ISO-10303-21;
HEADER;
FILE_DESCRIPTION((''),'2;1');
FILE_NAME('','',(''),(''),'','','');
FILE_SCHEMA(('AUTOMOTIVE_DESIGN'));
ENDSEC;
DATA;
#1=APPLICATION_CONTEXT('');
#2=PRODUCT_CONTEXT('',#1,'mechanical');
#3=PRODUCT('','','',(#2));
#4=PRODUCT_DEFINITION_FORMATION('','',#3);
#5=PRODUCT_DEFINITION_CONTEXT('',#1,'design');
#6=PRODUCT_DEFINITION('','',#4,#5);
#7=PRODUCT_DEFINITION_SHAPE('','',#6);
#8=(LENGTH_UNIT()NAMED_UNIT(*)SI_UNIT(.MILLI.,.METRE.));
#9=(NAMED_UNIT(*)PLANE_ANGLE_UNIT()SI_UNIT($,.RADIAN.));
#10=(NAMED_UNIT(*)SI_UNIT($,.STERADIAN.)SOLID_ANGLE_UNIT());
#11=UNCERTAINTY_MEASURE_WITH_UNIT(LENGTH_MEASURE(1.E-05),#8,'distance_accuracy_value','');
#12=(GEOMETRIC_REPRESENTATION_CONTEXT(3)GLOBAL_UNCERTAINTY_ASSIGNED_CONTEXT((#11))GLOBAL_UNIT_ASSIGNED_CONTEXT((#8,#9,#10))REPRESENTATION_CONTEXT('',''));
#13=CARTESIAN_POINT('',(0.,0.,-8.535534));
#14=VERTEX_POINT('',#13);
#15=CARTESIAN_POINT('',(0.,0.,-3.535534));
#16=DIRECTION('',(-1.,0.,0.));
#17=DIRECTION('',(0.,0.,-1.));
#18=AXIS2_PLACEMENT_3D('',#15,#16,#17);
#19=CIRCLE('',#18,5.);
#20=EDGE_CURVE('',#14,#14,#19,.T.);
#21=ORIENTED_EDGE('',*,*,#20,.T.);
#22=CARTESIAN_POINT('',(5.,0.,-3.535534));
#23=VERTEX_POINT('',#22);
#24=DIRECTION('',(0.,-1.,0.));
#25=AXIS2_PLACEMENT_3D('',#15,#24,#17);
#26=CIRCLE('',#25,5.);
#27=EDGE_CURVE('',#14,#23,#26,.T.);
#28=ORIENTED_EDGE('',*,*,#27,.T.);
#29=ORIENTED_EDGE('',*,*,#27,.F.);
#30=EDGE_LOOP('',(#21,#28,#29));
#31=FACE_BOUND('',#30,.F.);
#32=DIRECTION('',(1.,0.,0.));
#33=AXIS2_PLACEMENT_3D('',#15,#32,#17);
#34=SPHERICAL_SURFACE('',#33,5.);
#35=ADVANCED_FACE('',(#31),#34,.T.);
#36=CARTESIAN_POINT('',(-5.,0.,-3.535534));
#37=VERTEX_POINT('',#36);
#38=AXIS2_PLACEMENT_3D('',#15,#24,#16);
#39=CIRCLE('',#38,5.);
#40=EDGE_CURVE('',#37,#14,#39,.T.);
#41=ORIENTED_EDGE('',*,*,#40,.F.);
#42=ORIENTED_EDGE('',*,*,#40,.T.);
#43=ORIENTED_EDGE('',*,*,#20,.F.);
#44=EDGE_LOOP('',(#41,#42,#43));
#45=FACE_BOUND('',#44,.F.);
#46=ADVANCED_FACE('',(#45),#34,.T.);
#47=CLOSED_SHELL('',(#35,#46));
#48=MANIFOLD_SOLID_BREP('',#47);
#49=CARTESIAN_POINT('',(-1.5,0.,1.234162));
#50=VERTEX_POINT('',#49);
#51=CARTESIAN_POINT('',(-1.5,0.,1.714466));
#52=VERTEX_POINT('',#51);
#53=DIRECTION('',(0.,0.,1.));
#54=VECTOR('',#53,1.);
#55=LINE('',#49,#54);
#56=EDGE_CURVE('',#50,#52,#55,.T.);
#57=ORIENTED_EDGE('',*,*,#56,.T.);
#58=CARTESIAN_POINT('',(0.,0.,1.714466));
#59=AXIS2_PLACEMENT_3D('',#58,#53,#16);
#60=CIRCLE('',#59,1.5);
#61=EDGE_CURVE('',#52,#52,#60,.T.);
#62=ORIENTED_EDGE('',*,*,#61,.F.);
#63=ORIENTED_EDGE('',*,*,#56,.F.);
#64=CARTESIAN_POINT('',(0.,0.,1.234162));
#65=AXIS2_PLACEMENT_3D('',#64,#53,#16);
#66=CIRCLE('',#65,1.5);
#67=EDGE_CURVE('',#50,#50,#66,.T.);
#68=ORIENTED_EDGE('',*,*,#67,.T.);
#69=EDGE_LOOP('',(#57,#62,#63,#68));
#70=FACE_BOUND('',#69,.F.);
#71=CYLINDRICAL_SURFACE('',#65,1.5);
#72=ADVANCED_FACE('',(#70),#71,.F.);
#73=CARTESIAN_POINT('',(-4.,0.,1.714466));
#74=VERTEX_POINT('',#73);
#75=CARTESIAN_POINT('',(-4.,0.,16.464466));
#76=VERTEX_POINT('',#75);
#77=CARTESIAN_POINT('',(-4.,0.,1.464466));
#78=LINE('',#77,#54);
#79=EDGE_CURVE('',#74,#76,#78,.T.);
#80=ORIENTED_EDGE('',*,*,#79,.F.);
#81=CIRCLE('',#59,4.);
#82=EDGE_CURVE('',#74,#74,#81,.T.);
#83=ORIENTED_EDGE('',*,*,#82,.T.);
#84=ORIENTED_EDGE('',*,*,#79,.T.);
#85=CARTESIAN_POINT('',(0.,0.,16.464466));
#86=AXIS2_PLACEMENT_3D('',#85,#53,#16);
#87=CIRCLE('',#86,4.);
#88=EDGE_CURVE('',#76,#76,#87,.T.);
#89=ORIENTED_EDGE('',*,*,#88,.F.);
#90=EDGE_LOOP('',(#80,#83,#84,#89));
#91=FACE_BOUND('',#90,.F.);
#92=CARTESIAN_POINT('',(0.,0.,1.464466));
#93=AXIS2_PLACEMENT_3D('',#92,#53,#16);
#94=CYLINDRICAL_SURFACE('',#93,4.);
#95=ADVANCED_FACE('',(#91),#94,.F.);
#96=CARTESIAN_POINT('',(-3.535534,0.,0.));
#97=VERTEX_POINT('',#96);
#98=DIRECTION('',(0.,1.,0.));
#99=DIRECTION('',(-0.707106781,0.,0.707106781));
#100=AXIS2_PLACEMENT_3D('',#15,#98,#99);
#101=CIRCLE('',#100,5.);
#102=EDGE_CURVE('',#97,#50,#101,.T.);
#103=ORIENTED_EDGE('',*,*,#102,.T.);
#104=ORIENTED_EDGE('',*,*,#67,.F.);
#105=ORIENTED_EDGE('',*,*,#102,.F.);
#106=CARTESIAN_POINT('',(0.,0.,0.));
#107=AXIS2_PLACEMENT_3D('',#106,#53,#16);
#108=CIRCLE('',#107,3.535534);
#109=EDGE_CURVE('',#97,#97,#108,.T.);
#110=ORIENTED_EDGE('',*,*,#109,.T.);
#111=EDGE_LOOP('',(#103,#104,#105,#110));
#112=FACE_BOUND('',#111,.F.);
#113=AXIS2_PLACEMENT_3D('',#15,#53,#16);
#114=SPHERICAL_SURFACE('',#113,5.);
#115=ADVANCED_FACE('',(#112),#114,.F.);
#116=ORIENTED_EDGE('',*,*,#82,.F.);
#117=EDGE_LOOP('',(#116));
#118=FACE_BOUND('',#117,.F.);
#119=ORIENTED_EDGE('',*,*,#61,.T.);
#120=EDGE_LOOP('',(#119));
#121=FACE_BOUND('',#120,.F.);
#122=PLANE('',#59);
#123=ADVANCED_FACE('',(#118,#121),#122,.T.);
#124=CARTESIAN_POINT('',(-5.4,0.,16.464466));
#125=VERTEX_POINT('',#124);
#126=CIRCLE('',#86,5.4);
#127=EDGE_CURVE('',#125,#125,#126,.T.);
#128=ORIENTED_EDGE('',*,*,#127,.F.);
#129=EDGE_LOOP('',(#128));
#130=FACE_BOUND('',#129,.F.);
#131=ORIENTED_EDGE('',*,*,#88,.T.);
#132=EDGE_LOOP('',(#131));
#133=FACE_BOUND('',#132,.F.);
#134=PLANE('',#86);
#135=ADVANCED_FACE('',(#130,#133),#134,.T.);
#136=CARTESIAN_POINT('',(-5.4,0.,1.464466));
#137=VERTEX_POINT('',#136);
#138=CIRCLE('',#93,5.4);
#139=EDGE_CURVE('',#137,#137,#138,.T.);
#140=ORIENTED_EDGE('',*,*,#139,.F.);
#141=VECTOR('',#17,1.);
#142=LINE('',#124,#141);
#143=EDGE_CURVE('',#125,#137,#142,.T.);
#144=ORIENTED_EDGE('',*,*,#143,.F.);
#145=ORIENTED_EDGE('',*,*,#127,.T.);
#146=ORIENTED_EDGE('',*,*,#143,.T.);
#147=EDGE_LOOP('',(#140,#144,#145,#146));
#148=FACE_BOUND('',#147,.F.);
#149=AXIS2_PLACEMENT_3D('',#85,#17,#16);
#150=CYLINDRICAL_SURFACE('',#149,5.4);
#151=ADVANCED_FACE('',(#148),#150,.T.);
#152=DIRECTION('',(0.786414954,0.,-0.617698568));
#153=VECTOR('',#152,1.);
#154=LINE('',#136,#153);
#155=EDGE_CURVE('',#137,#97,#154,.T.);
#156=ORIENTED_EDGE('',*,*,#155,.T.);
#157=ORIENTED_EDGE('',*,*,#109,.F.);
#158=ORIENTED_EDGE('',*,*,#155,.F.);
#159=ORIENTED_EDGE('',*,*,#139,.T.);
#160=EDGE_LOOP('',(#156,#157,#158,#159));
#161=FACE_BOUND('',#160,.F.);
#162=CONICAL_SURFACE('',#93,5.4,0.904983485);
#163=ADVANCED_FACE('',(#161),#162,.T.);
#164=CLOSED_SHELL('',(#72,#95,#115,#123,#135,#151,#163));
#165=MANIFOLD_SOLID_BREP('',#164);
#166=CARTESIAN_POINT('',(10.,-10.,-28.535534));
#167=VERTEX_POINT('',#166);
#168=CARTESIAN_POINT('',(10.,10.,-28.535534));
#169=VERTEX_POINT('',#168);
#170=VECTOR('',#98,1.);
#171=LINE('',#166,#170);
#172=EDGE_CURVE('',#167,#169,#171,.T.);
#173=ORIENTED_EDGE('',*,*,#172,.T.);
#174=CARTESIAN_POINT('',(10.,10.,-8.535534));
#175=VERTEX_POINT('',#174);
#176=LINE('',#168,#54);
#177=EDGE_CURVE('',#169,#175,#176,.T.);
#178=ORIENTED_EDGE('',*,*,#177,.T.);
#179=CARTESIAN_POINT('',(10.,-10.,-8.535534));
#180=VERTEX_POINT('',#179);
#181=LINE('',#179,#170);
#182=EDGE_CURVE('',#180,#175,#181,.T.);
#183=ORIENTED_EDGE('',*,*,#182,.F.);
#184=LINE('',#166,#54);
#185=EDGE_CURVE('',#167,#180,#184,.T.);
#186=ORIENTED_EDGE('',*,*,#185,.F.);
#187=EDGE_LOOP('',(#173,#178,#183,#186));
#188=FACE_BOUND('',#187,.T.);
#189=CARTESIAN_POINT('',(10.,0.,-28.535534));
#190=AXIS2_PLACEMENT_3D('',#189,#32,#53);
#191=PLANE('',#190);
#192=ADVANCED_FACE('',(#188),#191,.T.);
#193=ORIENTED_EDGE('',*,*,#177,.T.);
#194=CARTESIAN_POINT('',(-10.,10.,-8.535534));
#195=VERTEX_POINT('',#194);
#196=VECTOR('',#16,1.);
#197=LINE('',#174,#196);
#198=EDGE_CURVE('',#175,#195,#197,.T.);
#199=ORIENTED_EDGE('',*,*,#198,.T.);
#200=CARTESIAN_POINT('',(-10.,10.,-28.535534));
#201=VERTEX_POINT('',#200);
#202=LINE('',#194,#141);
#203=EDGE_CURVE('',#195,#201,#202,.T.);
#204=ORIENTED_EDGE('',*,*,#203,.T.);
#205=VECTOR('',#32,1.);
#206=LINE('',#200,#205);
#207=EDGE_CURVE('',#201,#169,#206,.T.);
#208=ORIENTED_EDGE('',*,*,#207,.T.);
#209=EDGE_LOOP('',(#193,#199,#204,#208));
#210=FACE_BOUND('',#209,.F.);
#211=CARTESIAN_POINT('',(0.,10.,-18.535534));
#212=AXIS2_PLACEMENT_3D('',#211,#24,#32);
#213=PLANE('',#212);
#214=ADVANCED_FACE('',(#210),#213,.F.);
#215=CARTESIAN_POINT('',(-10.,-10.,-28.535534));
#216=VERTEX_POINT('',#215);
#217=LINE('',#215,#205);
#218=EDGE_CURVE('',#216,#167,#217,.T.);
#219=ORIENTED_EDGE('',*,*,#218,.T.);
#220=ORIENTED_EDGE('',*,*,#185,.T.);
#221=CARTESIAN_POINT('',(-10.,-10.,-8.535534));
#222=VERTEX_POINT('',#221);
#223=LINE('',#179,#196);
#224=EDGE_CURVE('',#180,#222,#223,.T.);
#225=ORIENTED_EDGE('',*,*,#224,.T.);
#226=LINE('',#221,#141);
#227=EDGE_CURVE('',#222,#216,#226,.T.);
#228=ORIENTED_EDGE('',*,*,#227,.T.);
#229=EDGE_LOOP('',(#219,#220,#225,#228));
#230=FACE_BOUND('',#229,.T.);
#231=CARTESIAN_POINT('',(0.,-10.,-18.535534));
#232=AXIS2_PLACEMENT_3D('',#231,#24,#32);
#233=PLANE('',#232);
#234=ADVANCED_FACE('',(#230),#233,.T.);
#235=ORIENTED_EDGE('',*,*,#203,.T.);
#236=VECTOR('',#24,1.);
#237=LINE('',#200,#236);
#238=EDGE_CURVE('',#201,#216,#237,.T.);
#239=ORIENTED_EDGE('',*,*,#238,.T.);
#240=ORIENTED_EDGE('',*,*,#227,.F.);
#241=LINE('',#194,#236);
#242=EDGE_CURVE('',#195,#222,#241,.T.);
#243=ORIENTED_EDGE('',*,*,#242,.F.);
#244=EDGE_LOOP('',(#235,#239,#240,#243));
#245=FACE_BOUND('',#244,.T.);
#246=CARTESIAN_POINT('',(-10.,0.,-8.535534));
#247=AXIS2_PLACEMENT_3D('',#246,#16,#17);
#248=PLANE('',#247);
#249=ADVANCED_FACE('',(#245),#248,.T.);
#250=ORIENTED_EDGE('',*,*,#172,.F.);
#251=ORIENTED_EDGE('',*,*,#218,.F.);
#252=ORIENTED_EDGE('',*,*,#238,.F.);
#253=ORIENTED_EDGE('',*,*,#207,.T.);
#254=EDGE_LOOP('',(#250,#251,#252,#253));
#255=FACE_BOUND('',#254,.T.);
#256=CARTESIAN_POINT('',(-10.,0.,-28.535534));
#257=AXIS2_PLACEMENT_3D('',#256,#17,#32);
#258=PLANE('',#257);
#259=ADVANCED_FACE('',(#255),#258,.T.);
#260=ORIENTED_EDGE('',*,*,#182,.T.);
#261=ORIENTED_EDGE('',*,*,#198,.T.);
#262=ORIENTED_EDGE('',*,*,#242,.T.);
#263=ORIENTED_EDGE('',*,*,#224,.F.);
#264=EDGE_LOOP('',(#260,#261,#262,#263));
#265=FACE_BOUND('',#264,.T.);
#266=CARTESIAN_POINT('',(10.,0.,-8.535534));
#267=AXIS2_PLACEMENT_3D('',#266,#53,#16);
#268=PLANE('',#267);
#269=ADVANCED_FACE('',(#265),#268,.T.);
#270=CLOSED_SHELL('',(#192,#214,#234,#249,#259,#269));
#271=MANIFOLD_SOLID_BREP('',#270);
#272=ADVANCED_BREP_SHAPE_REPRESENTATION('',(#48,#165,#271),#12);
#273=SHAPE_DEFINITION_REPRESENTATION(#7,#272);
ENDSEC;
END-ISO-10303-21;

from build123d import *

# Parameters (mm, degrees)
F3_DEPTH = 10


with BuildPart() as f1:
    # F0 (on Front) → F1 (revolve)
    with BuildSketch(Plane.XZ):
        with BuildLine():
            Line((-1.5, 1.4644660941), (-3.5355339059, 1.4644660941))
            Line((-3.5355339059, 1.4644660941), (-3.5355339059, 0))
            ThreePointArc((-3.5355339059, 0), (-2.592284601, 0.7399848401), (-1.5, 1.2341621012))
            Line((-1.5, 1.2341621012), (-1.5, 1.4644660941))
        make_face()
        Polygon((-5.4, 16.4644660941), (-5.4, 1.4644660941), (-4, 1.4644660941), (-4, 1.7144660941), (-4, 16.4644660941), align=None)
        Polygon((-3.5355339059, 0), (-3.5355339059, 1.4644660941), (-1.5, 1.4644660941), (-1.5, 1.7144660941), (-4, 1.7144660941), (-4, 1.4644660941), (-5.4, 1.4644660941), align=None)
    revolve(axis=Axis((0, 0, 0.732233047), (0, 0, 1)))


with BuildPart() as f2:
    # F0 (on Front) → F2 (revolve)
    with BuildSketch(Plane.XZ):
        with BuildLine():
            Line((0, -3.5355339059), (-5, -3.5355339059))
            ThreePointArc((-5, -3.5355339059), (-3.5355339059, -7.0710678119), (0, -8.5355339059))
            ThreePointArc((0, -8.5355339059), (3.5355339059, -7.0710678119), (5, -3.5355339059))
            Line((5, -3.5355339059), (0, -3.5355339059))
        make_face()
    revolve(axis=Axis((-2.5, 0, -3.5355339059), (-1, 0, 0)))


with BuildPart() as f3:
    # F0 (on Front) → F3 (new body, symmetric)
    with BuildSketch(Plane.XZ):
        Polygon((10, -8.5355339059), (0, -8.5355339059), (-10, -8.5355339059), (-10, -28.5355339059), (10, -28.5355339059), align=None)
    extrude(amount=F3_DEPTH, both=True)


solid = Compound([f1.part, f2.part, f3.part])
